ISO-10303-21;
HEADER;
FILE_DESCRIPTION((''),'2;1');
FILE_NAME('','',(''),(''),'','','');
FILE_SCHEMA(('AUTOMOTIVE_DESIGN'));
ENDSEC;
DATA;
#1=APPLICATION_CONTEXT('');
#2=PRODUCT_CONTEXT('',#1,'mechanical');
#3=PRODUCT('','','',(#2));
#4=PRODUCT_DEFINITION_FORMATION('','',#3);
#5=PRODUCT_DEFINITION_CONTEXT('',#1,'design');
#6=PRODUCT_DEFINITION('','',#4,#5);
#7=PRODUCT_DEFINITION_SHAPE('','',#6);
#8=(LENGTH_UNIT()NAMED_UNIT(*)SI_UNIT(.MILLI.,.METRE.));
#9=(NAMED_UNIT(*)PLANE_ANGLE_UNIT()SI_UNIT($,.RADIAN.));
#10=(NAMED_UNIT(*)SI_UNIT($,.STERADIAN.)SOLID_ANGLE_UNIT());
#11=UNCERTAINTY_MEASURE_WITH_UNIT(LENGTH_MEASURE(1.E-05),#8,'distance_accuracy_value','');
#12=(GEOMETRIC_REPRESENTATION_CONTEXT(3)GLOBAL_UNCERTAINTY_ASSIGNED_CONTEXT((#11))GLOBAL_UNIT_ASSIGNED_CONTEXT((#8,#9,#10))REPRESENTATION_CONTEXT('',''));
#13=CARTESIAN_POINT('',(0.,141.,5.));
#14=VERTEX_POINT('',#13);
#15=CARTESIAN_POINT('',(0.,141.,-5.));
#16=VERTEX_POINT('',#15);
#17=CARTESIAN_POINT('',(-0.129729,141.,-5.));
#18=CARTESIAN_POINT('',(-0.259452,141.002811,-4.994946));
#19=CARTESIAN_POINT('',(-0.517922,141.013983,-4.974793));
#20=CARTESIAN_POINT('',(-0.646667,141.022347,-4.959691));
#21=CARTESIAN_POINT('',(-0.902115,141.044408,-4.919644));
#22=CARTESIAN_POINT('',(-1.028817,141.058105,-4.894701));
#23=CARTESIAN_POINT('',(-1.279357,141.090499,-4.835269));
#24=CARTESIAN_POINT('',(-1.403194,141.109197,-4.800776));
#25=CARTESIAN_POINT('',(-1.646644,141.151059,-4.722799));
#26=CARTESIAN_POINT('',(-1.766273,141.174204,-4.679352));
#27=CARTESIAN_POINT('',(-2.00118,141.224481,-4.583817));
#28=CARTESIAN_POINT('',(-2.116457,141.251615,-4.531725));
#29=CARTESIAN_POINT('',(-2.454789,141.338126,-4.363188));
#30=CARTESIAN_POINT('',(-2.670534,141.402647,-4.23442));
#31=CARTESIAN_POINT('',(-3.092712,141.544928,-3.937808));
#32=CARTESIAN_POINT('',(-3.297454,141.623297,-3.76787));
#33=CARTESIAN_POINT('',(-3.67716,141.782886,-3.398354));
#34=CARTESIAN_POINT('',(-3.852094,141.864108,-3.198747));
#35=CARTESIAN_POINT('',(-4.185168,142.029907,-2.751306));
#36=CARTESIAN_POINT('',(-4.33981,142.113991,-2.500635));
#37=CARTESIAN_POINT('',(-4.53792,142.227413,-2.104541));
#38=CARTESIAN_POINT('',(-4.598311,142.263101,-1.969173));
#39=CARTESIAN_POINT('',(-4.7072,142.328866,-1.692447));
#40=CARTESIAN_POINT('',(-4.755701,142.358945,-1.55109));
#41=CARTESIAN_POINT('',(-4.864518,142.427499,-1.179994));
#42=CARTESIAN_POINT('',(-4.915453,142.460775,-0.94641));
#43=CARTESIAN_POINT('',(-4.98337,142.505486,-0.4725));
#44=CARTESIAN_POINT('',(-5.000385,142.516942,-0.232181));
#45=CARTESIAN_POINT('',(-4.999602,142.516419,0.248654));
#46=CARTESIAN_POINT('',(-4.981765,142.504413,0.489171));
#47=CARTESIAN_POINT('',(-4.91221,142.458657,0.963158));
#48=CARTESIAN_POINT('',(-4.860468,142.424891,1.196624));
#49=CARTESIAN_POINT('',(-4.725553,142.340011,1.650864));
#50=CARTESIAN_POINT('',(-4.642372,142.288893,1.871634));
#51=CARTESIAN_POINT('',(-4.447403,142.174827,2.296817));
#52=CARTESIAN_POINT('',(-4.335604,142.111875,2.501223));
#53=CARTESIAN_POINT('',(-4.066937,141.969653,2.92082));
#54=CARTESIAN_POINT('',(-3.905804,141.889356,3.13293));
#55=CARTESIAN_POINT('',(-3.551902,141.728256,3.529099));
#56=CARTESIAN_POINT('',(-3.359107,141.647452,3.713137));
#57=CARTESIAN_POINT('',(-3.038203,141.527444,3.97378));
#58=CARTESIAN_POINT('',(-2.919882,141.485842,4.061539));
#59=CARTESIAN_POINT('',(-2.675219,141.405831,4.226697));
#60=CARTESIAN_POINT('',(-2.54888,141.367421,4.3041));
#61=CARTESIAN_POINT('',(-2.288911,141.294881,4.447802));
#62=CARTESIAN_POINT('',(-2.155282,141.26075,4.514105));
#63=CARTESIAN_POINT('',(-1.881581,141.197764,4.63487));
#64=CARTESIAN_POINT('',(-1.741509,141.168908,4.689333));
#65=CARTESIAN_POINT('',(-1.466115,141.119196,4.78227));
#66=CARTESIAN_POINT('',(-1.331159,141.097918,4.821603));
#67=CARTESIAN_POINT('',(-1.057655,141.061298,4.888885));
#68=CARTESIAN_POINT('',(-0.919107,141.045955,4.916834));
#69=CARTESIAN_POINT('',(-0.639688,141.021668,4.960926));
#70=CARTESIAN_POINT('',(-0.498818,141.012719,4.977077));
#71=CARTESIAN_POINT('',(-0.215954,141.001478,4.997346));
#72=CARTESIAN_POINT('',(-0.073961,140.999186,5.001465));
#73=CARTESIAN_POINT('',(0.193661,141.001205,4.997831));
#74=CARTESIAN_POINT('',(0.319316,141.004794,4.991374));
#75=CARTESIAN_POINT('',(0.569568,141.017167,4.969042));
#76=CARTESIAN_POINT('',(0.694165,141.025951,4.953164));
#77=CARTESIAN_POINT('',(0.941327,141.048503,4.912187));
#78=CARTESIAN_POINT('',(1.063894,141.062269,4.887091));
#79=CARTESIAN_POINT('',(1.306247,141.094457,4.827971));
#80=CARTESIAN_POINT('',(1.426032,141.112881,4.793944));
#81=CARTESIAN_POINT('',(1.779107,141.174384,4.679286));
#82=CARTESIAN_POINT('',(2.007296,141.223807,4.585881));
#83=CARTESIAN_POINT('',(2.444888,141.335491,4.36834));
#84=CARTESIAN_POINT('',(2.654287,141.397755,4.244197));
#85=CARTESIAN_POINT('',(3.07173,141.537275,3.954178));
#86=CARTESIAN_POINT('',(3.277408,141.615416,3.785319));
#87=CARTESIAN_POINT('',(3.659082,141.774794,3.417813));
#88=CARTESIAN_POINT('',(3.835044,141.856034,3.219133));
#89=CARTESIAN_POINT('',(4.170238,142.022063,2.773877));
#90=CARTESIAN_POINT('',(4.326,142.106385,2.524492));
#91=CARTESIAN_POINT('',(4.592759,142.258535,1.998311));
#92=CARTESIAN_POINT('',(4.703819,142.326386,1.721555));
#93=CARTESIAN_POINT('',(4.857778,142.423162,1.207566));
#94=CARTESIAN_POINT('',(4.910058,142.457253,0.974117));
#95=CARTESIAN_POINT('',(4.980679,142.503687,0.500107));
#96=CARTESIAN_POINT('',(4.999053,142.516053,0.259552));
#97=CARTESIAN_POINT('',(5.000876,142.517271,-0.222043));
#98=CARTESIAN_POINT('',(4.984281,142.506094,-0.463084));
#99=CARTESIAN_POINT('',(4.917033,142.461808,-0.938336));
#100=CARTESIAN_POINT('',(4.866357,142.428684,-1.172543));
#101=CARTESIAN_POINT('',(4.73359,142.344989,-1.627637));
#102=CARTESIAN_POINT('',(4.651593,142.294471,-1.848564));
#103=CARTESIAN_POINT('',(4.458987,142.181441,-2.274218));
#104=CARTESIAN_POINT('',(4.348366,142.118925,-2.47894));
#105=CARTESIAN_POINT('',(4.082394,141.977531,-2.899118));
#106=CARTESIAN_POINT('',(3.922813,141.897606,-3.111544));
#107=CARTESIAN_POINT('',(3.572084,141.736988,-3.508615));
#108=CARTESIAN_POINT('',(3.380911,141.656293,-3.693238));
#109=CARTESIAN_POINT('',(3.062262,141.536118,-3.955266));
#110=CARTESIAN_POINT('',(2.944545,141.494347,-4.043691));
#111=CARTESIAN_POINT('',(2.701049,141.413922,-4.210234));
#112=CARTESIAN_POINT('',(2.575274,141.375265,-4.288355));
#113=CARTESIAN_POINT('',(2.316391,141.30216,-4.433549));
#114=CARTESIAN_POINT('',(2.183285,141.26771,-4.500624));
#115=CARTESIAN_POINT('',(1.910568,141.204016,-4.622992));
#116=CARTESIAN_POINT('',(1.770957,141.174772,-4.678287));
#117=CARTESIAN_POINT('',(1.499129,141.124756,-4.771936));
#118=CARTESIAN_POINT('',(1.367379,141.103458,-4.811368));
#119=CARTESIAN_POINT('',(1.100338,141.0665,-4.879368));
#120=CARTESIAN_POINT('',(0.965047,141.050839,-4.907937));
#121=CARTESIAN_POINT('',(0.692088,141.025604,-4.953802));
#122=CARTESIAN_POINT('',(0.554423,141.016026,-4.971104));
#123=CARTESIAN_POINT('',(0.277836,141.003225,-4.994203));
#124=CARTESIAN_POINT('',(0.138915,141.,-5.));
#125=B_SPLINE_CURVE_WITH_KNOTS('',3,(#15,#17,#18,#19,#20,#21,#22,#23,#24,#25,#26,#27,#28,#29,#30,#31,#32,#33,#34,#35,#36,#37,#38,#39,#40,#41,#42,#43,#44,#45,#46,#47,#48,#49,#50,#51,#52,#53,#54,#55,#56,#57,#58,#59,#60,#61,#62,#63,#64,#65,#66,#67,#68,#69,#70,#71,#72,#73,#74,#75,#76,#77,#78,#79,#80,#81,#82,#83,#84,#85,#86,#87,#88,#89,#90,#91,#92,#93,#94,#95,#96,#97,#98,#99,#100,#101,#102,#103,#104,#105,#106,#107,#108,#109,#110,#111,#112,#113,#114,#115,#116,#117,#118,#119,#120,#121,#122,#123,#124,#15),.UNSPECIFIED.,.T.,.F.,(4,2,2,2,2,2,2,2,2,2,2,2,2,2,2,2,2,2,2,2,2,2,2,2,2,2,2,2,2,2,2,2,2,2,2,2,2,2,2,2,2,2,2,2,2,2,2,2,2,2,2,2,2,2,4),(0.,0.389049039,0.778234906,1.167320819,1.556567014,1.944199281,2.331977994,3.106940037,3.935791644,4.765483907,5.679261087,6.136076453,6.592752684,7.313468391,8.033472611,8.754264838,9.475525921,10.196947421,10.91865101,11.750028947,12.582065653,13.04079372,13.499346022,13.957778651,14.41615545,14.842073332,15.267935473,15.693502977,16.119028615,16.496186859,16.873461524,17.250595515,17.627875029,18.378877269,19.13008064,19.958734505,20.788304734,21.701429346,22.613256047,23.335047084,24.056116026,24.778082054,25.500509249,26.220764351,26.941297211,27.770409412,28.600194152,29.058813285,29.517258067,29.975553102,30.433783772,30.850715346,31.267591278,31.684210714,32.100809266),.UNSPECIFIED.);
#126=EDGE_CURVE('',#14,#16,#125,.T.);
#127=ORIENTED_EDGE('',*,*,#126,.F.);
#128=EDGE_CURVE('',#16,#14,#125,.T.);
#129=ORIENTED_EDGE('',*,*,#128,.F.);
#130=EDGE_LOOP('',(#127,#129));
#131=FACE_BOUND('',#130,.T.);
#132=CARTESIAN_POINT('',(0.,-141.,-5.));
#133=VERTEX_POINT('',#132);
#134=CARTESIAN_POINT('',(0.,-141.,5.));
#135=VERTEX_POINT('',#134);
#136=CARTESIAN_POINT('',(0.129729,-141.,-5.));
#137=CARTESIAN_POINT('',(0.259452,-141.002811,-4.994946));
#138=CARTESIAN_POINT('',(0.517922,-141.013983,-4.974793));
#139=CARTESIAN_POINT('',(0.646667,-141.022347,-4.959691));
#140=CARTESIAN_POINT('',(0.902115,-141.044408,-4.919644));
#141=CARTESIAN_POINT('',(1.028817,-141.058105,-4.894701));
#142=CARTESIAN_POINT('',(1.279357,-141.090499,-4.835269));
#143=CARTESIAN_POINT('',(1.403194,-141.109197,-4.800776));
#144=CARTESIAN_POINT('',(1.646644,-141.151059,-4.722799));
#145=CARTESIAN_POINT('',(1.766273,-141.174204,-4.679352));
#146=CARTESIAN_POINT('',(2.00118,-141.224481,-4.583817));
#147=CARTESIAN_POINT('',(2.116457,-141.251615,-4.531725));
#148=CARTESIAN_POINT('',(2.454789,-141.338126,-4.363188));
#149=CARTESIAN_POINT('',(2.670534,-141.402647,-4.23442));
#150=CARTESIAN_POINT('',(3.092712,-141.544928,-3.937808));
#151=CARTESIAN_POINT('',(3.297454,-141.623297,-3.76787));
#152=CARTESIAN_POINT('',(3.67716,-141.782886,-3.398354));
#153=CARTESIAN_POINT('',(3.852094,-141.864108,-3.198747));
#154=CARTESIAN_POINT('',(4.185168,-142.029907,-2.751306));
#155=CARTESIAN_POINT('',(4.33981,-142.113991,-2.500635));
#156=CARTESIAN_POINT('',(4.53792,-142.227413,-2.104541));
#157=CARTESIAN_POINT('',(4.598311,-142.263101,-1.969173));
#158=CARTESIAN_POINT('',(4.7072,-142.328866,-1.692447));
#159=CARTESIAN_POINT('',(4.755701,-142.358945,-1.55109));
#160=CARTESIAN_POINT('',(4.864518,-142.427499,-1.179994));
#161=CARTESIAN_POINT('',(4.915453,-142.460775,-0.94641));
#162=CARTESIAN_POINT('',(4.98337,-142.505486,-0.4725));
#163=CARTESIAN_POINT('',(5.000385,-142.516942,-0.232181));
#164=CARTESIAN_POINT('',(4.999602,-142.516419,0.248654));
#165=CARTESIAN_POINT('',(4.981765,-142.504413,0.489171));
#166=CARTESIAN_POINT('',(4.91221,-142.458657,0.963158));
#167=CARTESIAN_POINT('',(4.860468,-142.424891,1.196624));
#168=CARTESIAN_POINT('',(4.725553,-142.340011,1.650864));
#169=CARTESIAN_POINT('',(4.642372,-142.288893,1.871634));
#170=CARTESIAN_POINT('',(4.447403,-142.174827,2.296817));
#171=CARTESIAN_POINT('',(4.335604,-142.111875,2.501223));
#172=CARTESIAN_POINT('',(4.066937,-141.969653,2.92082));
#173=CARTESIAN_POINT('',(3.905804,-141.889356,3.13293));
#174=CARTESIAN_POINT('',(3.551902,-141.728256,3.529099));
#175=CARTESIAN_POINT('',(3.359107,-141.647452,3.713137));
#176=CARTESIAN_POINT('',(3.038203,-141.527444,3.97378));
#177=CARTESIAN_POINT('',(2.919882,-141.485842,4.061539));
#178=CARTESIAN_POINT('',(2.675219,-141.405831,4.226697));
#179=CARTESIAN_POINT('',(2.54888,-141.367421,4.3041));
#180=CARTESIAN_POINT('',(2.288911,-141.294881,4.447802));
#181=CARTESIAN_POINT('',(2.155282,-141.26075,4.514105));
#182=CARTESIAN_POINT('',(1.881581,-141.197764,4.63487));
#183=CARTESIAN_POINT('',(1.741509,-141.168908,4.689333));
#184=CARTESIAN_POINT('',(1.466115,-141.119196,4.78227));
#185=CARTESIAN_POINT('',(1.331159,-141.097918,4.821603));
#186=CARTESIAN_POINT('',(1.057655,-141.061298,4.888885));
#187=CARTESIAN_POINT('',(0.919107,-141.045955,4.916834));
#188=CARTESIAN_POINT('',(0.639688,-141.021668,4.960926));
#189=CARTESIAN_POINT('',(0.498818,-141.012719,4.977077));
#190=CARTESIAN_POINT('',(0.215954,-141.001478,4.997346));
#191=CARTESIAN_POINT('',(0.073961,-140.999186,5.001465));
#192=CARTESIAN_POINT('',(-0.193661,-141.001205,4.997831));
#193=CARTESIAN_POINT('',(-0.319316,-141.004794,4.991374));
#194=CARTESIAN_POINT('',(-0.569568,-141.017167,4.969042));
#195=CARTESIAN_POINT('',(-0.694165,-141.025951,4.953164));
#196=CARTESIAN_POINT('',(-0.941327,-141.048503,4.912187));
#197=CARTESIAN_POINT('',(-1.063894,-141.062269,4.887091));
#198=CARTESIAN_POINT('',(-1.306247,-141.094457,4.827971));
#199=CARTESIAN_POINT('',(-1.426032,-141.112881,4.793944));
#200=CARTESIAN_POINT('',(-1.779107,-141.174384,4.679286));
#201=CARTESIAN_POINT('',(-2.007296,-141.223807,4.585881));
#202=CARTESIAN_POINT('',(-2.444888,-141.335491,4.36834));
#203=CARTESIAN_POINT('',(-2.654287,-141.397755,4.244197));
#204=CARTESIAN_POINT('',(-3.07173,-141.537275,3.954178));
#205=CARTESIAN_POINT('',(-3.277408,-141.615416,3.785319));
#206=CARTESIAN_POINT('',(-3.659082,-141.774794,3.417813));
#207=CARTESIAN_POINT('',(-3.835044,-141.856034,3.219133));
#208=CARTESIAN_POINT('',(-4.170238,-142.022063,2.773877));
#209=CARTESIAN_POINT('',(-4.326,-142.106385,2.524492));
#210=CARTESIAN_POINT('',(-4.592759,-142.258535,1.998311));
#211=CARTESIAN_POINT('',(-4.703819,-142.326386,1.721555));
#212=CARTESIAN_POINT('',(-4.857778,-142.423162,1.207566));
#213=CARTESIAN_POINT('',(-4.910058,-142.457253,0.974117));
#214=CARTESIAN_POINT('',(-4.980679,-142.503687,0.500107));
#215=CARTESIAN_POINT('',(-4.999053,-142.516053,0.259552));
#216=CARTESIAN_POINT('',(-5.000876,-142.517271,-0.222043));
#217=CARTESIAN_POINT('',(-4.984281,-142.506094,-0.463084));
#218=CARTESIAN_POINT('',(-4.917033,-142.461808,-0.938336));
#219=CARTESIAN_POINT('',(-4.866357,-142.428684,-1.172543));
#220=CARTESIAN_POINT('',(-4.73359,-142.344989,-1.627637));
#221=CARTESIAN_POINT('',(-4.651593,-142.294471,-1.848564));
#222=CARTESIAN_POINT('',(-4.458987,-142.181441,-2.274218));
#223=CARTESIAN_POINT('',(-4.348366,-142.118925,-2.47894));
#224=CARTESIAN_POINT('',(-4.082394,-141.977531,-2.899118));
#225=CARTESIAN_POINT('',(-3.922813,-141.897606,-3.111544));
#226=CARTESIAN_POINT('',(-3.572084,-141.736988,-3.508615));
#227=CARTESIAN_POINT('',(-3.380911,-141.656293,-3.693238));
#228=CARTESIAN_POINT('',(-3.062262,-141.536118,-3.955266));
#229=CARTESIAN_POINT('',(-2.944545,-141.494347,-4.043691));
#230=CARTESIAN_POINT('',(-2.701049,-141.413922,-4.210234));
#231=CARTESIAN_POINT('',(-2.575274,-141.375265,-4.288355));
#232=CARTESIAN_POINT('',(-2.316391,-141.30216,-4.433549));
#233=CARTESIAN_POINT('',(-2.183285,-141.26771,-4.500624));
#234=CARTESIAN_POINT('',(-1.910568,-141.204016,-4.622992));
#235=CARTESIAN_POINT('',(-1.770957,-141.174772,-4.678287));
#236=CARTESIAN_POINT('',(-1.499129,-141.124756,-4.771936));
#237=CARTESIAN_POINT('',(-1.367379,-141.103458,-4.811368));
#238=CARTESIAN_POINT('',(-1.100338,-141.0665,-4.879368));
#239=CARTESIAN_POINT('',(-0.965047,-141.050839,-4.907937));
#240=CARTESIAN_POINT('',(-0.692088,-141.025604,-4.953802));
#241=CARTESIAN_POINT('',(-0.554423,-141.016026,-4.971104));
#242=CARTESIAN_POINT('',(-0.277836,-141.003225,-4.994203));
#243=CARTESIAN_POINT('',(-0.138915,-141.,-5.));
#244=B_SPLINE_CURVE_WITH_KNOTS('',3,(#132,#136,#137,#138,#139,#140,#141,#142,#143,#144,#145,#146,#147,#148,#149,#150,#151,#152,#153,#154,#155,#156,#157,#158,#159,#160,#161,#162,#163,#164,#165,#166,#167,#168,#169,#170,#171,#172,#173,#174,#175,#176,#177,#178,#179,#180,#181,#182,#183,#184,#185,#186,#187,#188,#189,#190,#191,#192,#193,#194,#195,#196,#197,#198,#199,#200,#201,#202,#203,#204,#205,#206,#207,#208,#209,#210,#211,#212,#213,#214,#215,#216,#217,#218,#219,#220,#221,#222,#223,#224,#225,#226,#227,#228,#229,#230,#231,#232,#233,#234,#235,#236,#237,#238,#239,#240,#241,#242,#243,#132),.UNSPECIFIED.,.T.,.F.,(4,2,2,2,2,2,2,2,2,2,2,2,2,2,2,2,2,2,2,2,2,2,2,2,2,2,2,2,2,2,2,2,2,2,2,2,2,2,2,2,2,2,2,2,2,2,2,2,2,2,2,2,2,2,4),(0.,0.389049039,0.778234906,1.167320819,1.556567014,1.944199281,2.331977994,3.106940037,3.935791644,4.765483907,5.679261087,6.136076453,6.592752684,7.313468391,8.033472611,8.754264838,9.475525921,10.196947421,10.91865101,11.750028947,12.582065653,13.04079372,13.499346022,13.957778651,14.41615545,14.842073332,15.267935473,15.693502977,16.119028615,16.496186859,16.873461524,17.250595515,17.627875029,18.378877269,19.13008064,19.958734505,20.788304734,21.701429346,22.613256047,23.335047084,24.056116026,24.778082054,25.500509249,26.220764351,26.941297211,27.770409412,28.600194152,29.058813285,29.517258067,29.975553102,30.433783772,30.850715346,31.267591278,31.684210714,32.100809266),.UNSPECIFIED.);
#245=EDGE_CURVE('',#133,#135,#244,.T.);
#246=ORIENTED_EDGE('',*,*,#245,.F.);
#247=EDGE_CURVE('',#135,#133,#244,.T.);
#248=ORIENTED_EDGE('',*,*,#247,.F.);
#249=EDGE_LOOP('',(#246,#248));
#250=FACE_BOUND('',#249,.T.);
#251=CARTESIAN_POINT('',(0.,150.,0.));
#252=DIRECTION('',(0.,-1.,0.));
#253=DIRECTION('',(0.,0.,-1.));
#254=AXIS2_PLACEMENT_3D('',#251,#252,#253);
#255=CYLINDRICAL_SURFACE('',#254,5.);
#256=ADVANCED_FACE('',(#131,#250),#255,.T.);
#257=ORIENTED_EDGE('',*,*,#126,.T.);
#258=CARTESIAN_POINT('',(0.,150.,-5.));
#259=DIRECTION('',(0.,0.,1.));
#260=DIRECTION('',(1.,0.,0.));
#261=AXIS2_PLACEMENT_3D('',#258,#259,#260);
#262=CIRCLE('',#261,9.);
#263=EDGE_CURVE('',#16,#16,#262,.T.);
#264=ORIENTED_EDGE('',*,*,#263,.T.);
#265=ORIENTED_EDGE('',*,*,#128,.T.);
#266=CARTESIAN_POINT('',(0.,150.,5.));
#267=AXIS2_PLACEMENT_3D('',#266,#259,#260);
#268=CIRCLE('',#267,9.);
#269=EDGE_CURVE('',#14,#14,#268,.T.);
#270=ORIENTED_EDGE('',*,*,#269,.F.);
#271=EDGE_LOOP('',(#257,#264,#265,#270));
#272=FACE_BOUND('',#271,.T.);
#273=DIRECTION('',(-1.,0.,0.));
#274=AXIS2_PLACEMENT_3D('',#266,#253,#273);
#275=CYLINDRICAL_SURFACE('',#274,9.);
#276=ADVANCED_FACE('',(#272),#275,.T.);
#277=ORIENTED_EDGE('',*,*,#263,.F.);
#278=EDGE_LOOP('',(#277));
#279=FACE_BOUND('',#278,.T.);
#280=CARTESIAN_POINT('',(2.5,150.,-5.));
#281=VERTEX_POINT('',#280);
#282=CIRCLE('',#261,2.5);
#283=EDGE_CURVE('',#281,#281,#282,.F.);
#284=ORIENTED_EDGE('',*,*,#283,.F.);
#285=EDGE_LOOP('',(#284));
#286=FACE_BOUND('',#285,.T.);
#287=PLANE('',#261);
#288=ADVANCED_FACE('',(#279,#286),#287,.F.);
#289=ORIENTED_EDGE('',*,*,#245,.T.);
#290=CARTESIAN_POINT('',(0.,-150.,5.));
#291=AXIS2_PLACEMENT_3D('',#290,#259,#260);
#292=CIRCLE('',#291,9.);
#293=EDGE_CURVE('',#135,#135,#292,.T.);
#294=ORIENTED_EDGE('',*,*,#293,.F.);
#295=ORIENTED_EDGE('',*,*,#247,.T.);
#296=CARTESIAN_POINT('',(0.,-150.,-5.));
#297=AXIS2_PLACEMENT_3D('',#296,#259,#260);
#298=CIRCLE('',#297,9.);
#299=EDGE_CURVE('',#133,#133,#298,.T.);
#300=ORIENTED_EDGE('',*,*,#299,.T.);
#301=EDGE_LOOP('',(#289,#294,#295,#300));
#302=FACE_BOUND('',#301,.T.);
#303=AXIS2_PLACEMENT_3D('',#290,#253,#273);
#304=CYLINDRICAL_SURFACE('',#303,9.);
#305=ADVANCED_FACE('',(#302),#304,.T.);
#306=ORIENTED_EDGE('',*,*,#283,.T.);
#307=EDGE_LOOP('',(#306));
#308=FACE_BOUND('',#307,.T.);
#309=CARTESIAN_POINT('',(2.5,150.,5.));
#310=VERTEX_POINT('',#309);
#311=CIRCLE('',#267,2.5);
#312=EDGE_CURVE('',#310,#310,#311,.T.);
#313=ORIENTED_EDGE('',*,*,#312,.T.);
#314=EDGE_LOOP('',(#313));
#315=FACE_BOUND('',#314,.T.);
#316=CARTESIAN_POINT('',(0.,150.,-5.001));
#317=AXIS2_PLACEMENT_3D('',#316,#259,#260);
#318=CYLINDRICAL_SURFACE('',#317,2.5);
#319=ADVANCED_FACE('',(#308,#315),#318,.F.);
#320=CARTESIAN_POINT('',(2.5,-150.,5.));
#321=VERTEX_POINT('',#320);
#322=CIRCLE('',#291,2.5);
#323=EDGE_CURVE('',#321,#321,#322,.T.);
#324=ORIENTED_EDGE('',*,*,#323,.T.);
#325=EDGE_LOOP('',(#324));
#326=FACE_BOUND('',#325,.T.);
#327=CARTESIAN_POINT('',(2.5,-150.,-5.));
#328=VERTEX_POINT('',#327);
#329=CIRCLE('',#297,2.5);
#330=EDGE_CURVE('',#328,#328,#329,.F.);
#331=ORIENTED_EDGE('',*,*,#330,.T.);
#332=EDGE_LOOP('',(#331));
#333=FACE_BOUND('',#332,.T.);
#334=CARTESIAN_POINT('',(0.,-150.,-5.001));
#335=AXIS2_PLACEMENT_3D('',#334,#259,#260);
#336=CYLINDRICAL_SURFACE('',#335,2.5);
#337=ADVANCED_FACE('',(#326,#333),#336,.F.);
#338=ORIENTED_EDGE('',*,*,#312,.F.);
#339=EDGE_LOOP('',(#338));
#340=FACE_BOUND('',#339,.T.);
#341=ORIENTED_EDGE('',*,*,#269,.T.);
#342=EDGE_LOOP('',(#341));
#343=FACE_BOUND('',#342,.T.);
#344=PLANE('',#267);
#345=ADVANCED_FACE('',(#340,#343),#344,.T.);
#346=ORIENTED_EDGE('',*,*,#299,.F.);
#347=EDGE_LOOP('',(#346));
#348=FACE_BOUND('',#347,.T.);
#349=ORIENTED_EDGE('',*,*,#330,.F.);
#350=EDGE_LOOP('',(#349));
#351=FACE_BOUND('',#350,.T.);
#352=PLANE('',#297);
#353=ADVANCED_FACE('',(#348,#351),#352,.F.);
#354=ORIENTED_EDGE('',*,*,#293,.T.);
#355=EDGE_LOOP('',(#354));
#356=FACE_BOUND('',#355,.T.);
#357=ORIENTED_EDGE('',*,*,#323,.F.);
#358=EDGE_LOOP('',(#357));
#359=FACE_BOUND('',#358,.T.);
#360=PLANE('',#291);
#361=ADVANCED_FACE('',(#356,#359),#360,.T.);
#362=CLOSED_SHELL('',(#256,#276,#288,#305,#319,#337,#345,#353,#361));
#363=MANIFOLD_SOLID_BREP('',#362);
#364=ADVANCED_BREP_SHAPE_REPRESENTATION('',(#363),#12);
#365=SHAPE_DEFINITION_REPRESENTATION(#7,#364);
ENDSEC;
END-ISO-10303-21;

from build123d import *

# Parameters (mm, degrees)
SKETCH_1_R          = 5
EXTRUDE_1_DEPTH     = 150
SKETCH_2_R          = 9
EXTRUDE_2_DEPTH     = 5
CUT_EXTRUDE_1_REACH = 161.568
SKETCH_3_R          = 2.5


with BuildPart() as part:
    # 草图1 → 凸台-拉伸1 (new, symmetric)
    with BuildSketch(Plane(origin=(0, 0, 0), x_dir=(1, 0, 0), z_dir=(0, 1, 0))):
        with Locations(Location((0, 0, 0), (0, 0, 270))):
            Circle(SKETCH_1_R)
    extrude(amount=EXTRUDE_1_DEPTH, both=True)

    # 草图2 → 凸台-拉伸2 (add, symmetric)
    with BuildSketch(Plane.XY):
        with Locations((0, 150)):
            Circle(SKETCH_2_R)
        with Locations((0, -150)):
            Circle(SKETCH_2_R)
    extrude(amount=EXTRUDE_2_DEPTH, both=True)

    # 草图3 → 切除-拉伸1 (cut, up to next)
    with BuildSketch(Plane.XY.offset(5), mode=Mode.PRIVATE) as cut_extrude_1_sk1:
        with Locations((0, 150)):
            Circle(SKETCH_3_R)
    cut_extrude_1_tool1 = extrude(cut_extrude_1_sk1.sketch, amount=-CUT_EXTRUDE_1_REACH, mode=Mode.PRIVATE) & part.part
    # 草图3 → 切除-拉伸1 (cut, up to next)
    with BuildSketch(Plane.XY.offset(5), mode=Mode.PRIVATE) as cut_extrude_1_sk2:
        with Locations((0, -150)):
            Circle(SKETCH_3_R)
    cut_extrude_1_tool2 = extrude(cut_extrude_1_sk2.sketch, amount=-CUT_EXTRUDE_1_REACH, mode=Mode.PRIVATE) & part.part
    add(cut_extrude_1_tool1.solids().sort_by_distance((0, 150, 5))[0], mode=Mode.SUBTRACT)
    add(cut_extrude_1_tool2.solids().sort_by_distance((0, -150, 5))[0], mode=Mode.SUBTRACT)


solid = part.part
